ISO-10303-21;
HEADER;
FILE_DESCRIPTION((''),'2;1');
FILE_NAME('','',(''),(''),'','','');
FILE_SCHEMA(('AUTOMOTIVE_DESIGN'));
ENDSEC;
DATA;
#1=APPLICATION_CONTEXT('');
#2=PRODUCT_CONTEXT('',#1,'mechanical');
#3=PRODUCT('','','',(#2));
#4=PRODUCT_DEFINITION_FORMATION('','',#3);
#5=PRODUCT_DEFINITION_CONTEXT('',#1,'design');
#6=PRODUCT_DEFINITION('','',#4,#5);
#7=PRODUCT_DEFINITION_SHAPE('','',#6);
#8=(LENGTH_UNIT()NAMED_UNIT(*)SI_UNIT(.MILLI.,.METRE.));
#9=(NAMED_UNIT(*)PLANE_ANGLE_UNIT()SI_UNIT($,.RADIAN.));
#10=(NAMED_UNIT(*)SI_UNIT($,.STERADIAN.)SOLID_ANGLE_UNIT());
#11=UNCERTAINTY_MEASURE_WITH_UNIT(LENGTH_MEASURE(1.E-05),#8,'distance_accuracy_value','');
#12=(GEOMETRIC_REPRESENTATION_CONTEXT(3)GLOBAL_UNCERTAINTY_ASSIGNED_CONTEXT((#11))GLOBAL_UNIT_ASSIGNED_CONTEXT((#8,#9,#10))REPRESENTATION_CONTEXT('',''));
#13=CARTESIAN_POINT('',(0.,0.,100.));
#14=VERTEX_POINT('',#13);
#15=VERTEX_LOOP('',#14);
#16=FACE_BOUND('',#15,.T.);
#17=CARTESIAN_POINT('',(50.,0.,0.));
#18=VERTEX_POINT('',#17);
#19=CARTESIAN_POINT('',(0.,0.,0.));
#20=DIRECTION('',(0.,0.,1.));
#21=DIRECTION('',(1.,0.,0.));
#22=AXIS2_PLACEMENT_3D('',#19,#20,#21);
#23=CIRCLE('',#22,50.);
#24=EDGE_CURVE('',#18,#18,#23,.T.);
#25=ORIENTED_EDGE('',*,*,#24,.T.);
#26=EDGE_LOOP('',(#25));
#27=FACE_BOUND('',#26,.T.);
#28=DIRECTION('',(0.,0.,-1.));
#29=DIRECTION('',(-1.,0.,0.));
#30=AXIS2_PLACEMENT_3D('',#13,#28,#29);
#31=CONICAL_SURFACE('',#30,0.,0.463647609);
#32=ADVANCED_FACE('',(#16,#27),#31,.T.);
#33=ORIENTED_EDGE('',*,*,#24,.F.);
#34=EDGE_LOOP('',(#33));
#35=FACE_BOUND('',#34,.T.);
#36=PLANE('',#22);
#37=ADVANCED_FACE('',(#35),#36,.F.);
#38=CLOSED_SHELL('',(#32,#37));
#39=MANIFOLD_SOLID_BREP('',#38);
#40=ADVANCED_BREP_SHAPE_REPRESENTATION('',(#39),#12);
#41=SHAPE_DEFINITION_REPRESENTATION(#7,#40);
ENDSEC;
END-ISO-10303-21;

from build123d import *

# Parameters (mm, degrees)
ESBO_O1_R = 50


with BuildPart() as part:
    # Esboço1 → Loft1 section 0
    with BuildSketch(Plane.XY, mode=Mode.PRIVATE) as loft1_s0:
        Circle(ESBO_O1_R)
    loft([loft1_s0.sketch, Vertex(0, 0, 100)])


solid = part.part
